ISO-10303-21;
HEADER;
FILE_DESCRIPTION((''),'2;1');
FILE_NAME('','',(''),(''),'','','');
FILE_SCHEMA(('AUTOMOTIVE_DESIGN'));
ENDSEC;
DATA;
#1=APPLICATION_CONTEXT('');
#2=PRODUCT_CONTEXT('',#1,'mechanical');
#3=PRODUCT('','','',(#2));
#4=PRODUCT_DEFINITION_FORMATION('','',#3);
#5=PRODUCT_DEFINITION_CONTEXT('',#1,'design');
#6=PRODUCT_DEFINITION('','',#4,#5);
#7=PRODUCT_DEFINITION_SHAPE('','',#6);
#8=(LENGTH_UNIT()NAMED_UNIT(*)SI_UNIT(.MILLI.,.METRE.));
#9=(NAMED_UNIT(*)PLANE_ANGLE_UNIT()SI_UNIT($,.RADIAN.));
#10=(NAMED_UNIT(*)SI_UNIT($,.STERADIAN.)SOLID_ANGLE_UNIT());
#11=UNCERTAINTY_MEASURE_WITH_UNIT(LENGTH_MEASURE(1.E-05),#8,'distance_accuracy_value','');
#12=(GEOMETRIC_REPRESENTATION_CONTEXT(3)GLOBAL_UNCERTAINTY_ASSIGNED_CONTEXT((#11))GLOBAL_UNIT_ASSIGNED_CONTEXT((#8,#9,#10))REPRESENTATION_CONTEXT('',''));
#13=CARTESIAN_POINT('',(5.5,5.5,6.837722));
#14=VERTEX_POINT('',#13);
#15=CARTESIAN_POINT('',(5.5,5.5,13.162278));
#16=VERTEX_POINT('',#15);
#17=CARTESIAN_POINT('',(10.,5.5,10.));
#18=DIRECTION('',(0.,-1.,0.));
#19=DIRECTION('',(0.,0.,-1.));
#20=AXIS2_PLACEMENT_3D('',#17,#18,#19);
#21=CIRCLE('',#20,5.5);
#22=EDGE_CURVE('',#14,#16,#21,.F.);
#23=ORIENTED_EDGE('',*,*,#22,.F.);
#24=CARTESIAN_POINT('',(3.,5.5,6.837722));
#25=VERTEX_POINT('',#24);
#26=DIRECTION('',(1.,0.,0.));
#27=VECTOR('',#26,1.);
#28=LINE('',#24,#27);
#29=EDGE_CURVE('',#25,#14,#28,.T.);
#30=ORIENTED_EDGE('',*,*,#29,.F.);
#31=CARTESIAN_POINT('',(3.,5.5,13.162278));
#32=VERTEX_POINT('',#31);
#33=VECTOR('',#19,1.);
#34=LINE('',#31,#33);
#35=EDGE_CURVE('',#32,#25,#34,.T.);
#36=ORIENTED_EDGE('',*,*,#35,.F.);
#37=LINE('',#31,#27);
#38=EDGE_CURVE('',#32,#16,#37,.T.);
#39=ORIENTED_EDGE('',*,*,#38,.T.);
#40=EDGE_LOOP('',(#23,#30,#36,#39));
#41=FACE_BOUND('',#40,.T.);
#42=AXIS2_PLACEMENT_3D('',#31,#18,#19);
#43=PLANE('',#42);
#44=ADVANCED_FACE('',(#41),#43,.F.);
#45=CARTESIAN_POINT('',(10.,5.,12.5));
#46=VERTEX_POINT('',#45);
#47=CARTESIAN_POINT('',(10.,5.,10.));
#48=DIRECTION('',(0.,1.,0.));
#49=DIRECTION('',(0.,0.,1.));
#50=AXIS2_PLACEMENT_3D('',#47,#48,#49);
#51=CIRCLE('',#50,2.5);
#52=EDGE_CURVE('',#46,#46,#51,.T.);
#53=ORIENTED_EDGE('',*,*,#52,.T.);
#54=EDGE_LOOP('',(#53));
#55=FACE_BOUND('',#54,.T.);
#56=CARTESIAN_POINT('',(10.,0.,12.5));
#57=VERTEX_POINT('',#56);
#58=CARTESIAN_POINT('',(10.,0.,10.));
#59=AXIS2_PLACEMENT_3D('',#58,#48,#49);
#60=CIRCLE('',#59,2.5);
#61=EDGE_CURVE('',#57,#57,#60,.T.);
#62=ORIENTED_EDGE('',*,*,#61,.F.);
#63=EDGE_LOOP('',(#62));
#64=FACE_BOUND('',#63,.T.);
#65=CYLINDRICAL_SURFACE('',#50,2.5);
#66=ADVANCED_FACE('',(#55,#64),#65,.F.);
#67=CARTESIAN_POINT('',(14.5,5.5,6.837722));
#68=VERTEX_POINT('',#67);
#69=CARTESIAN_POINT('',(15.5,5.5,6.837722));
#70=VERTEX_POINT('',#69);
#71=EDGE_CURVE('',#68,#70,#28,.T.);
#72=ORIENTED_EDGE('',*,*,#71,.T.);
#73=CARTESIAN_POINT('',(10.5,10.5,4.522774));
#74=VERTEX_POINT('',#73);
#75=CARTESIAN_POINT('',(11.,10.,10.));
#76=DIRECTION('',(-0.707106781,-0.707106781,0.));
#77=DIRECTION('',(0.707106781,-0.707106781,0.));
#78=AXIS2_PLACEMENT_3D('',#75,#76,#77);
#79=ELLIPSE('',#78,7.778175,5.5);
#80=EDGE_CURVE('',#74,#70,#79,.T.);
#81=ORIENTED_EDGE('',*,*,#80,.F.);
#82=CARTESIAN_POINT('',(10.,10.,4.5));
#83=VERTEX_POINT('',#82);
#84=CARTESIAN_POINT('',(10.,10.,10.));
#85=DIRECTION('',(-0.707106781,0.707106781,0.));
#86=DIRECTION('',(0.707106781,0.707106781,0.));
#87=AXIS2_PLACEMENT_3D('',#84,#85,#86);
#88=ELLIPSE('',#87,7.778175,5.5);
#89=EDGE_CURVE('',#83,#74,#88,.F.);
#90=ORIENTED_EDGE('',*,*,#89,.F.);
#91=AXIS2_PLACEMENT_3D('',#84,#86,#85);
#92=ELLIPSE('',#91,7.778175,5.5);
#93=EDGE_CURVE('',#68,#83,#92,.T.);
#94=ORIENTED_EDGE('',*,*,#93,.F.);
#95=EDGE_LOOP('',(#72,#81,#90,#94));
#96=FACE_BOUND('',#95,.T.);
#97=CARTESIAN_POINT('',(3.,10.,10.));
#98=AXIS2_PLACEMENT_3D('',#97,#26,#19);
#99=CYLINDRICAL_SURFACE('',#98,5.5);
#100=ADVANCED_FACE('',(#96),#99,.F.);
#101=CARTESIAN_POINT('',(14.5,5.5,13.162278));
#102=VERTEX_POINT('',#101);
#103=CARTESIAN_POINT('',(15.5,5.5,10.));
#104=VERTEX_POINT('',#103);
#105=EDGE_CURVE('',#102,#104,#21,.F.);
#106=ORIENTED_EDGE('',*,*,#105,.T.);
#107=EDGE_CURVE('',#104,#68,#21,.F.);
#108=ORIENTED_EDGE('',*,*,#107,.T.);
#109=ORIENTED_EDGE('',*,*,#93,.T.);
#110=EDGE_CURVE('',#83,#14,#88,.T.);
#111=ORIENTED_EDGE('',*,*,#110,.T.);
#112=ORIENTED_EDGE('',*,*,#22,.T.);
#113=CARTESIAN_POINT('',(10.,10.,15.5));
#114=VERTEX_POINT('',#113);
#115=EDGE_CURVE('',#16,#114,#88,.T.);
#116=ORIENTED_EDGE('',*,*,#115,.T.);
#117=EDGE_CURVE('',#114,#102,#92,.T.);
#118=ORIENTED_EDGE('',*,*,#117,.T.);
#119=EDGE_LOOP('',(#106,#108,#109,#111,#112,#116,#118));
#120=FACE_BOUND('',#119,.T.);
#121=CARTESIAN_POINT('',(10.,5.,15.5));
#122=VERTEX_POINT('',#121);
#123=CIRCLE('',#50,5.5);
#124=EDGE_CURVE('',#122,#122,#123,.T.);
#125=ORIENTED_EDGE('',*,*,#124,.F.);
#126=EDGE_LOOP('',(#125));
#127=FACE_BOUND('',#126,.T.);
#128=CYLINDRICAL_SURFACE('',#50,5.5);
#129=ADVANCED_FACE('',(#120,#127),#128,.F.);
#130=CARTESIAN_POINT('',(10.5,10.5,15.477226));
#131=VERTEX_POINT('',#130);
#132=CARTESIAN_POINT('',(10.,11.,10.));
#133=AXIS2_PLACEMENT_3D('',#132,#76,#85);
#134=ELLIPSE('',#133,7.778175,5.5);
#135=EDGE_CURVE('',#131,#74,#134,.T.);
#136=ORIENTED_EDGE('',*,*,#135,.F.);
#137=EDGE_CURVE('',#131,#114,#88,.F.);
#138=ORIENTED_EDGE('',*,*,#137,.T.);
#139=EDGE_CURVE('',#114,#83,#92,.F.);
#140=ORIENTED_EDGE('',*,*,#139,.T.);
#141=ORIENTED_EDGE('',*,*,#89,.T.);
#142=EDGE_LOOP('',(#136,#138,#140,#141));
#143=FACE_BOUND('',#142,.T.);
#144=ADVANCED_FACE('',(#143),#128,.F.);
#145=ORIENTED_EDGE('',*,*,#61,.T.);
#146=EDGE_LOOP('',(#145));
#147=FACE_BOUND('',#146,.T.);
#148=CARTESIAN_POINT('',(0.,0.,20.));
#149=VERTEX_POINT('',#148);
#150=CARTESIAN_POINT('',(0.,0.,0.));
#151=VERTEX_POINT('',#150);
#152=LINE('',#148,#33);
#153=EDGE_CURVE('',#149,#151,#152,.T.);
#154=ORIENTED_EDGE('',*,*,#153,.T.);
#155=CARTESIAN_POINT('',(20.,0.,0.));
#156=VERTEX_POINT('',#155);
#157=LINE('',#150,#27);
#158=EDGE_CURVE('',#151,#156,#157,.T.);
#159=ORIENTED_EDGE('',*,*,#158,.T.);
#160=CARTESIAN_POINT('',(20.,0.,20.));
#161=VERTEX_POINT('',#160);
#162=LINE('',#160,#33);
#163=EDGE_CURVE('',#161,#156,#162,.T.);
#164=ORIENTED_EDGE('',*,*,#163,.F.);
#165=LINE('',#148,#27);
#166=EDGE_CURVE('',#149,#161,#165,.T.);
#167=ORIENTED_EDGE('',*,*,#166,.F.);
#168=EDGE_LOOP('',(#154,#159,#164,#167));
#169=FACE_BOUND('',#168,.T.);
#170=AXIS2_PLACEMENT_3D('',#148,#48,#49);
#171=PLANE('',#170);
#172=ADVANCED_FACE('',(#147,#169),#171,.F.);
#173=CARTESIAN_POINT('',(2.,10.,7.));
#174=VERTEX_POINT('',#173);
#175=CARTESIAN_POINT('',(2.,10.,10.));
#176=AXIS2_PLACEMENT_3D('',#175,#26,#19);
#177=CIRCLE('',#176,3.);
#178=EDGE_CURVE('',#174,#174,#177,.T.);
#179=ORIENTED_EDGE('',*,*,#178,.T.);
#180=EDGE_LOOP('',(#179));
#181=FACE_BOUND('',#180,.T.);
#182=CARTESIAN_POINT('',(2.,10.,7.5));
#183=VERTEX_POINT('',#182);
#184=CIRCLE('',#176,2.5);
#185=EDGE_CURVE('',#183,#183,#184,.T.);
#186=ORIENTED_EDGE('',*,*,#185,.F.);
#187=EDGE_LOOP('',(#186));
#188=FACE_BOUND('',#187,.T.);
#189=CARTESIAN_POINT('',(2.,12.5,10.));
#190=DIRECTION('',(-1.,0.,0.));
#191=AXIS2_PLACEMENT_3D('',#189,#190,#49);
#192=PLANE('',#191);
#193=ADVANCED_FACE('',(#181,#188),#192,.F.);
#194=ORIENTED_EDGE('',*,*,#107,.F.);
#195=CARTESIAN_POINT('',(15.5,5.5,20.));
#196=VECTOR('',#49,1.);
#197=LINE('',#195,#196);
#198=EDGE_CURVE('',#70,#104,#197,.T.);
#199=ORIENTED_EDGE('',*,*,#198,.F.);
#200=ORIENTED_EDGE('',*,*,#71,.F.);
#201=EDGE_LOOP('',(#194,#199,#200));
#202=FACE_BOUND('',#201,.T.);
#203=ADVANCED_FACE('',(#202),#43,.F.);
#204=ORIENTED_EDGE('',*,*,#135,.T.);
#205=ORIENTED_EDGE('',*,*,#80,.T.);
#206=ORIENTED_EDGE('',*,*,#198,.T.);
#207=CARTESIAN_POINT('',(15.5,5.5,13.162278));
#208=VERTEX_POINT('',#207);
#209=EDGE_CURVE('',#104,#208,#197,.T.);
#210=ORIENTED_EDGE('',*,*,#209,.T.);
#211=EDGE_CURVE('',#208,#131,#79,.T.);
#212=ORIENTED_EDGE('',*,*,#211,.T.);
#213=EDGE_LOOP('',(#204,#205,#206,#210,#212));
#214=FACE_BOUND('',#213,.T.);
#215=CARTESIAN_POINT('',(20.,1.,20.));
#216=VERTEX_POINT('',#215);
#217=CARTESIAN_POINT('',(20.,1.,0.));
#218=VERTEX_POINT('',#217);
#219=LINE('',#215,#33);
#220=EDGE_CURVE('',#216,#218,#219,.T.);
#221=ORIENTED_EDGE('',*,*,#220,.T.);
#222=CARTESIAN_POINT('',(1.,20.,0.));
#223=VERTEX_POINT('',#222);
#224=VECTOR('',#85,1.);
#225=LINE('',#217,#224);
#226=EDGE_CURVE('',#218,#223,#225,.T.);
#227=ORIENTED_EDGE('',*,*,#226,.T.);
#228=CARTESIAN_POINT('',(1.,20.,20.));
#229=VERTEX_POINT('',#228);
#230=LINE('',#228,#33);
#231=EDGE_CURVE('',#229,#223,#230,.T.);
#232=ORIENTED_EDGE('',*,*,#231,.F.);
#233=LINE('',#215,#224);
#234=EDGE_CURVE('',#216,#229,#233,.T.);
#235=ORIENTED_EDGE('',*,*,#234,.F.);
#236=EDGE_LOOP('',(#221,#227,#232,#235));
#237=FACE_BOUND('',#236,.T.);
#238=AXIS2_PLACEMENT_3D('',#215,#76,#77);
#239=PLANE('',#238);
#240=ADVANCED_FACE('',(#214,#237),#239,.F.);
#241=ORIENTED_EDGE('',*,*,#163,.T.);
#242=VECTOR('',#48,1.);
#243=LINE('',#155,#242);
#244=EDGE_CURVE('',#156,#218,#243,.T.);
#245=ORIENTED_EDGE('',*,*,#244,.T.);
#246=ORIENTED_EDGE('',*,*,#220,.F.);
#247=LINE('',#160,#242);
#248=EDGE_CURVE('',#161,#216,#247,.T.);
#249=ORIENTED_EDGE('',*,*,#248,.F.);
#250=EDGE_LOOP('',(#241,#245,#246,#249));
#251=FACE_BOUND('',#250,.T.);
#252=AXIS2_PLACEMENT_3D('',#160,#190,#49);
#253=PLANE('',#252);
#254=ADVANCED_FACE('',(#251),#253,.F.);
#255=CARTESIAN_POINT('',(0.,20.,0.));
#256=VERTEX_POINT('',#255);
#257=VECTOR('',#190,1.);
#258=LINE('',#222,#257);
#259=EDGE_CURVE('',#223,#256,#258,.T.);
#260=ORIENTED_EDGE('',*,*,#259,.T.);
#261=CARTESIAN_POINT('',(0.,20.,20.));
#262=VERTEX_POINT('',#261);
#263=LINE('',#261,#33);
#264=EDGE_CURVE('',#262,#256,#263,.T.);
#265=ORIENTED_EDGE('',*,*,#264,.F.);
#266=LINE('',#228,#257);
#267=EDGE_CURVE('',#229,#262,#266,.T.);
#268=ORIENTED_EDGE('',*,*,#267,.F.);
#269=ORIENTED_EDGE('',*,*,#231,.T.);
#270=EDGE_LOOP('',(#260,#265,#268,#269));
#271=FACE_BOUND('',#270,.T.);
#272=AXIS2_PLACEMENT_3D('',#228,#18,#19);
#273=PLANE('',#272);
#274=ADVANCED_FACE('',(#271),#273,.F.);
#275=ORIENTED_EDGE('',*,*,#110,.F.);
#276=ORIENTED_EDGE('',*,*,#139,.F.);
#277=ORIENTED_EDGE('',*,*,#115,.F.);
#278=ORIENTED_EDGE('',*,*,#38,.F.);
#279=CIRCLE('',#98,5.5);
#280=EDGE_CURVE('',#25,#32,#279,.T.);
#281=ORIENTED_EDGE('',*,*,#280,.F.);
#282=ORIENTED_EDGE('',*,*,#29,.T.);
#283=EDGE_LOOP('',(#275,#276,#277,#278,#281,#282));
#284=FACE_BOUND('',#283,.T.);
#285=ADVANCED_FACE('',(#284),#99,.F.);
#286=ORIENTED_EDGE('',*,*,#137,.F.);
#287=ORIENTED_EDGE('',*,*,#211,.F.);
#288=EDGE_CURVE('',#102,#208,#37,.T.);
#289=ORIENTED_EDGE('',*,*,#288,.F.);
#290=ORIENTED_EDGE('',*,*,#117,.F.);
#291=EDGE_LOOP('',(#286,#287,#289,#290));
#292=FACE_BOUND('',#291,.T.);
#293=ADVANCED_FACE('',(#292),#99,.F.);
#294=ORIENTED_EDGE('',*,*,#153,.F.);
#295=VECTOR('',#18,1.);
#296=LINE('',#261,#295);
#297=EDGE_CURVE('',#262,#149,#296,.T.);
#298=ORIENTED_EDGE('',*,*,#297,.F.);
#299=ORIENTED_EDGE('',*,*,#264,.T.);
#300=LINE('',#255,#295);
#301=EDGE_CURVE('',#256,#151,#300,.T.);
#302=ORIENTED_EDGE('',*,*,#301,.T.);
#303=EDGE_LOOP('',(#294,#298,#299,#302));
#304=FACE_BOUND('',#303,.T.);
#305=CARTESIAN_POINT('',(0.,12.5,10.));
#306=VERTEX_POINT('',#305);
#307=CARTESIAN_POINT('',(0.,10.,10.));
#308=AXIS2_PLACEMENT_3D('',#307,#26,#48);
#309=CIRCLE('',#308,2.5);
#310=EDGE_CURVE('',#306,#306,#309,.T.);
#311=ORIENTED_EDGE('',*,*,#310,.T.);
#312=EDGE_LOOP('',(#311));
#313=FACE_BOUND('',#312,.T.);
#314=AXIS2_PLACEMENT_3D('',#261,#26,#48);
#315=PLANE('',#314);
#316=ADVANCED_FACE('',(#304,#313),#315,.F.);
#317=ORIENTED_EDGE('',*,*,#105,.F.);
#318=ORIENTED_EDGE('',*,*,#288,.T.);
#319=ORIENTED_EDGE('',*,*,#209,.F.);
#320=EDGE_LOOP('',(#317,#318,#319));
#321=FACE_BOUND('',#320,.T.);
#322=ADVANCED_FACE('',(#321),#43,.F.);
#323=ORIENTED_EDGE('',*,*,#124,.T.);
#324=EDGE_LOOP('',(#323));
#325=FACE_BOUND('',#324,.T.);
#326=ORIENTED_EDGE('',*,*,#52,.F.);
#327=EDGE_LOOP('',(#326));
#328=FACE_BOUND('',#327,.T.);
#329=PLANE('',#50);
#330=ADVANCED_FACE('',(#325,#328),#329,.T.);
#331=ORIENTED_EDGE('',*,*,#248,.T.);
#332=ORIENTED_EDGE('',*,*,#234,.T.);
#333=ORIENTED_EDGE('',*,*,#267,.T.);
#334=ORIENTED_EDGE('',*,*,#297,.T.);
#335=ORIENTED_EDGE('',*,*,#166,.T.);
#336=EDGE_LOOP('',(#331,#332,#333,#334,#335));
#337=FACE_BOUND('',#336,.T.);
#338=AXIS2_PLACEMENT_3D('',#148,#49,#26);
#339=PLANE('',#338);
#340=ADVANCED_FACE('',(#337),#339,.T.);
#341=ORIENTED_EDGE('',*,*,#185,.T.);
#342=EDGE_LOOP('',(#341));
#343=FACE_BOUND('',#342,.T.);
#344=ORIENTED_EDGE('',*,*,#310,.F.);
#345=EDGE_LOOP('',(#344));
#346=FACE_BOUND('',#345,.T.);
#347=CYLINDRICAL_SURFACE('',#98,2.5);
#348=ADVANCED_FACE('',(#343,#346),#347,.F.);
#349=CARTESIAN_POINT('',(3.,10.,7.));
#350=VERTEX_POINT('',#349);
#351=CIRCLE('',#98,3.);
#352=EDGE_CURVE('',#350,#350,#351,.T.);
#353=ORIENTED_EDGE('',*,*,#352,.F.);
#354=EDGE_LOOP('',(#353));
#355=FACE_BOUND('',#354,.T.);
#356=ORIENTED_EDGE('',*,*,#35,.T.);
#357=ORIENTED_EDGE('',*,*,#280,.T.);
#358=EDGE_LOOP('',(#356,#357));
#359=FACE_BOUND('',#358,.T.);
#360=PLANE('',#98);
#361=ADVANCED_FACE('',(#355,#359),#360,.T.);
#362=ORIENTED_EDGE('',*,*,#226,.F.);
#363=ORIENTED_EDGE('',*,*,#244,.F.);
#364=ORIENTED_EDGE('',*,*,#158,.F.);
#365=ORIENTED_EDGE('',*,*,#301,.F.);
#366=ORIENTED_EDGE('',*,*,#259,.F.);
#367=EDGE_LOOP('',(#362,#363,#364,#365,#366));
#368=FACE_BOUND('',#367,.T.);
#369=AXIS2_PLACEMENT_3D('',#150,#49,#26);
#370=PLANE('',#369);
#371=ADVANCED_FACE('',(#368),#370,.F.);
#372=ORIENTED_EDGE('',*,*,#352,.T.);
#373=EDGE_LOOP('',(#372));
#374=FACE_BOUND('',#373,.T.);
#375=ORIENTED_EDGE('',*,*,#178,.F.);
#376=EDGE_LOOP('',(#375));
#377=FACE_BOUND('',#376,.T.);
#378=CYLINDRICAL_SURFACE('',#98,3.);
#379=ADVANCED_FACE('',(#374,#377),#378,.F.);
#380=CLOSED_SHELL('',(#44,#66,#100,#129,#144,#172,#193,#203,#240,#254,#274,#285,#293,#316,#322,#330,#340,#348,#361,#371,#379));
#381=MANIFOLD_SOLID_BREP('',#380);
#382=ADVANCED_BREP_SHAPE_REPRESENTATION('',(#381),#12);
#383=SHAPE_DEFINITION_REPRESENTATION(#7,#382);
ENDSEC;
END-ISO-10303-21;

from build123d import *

# Parameters (mm, degrees)
EXTRUDE_1_DEPTH           = 20
SKETCH_2_R                = 5.5
CUT_EXTRUDE_1_DEPTH       = 15
CUT_EXTRUDE_2_DEPTH       = 17
HOLE_WIZARD_M6_1_D        = 5
HOLE_WIZARD_1_D           = 5
HOLE_WIZARD_1_DEPTH       = 14
HOLE_WIZARD_1_CBORE_D     = 6
HOLE_WIZARD_1_CBORE_DEPTH = 1
HOLE_WIZARD_1_TIP         = 1.502151548


with BuildPart() as part:
    # 草图1 → 凸台-拉伸1 (new body)
    with BuildSketch(Plane.XY):
        Polygon((0, 0), (20, 0), (20, 1), (1, 20), (0, 20), align=None)
    extrude(amount=EXTRUDE_1_DEPTH)

    # 草图2 → 切除-拉伸1 (cut)
    with BuildSketch(Plane(origin=(0, 20, 0), x_dir=(1, 0, 0), z_dir=(0, 1, 0))):
        with Locations(Location((10, -10, 0), (0, 0, 270))):
            Circle(SKETCH_2_R)
    extrude(amount=-CUT_EXTRUDE_1_DEPTH, mode=Mode.SUBTRACT)

    # 草图3 → 切除-拉伸2 (cut)
    with BuildSketch(Plane(origin=(20, 0, 0), x_dir=(0, 0, -1), z_dir=(1, 0, 0))):
        with BuildLine():
            Line((-13.16227766, 5.5), (-6.83772234, 5.5))
            ThreePointArc((-6.83772234, 5.5), (-10, 15.5), (-13.16227766, 5.5))
        make_face()
    extrude(amount=-CUT_EXTRUDE_2_DEPTH, mode=Mode.SUBTRACT)

    # M6 螺纹孔1 (through all)
    with Locations(Plane(origin=(0, 5, 0), x_dir=(1, 0, 0), z_dir=(0, 1, 0))):
        with Locations((10, -10)):
            Hole(HOLE_WIZARD_M6_1_D / 2)

    # 打孔尺寸(%根据)内六角圆柱头螺钉的类型1
    with Locations(Plane(origin=(3, 0, 0), x_dir=(0, 0, -1), z_dir=(1, 0, 0))):
        with Locations((-10, 10)):
            CounterBoreHole(HOLE_WIZARD_1_D / 2, HOLE_WIZARD_1_CBORE_D / 2, HOLE_WIZARD_1_CBORE_DEPTH, depth=HOLE_WIZARD_1_DEPTH)
            with Locations((0, 0, -(HOLE_WIZARD_1_DEPTH + HOLE_WIZARD_1_TIP / 2))):  # 118° drill point
                Cone(0, HOLE_WIZARD_1_D / 2, HOLE_WIZARD_1_TIP, mode=Mode.SUBTRACT)


solid = part.part
